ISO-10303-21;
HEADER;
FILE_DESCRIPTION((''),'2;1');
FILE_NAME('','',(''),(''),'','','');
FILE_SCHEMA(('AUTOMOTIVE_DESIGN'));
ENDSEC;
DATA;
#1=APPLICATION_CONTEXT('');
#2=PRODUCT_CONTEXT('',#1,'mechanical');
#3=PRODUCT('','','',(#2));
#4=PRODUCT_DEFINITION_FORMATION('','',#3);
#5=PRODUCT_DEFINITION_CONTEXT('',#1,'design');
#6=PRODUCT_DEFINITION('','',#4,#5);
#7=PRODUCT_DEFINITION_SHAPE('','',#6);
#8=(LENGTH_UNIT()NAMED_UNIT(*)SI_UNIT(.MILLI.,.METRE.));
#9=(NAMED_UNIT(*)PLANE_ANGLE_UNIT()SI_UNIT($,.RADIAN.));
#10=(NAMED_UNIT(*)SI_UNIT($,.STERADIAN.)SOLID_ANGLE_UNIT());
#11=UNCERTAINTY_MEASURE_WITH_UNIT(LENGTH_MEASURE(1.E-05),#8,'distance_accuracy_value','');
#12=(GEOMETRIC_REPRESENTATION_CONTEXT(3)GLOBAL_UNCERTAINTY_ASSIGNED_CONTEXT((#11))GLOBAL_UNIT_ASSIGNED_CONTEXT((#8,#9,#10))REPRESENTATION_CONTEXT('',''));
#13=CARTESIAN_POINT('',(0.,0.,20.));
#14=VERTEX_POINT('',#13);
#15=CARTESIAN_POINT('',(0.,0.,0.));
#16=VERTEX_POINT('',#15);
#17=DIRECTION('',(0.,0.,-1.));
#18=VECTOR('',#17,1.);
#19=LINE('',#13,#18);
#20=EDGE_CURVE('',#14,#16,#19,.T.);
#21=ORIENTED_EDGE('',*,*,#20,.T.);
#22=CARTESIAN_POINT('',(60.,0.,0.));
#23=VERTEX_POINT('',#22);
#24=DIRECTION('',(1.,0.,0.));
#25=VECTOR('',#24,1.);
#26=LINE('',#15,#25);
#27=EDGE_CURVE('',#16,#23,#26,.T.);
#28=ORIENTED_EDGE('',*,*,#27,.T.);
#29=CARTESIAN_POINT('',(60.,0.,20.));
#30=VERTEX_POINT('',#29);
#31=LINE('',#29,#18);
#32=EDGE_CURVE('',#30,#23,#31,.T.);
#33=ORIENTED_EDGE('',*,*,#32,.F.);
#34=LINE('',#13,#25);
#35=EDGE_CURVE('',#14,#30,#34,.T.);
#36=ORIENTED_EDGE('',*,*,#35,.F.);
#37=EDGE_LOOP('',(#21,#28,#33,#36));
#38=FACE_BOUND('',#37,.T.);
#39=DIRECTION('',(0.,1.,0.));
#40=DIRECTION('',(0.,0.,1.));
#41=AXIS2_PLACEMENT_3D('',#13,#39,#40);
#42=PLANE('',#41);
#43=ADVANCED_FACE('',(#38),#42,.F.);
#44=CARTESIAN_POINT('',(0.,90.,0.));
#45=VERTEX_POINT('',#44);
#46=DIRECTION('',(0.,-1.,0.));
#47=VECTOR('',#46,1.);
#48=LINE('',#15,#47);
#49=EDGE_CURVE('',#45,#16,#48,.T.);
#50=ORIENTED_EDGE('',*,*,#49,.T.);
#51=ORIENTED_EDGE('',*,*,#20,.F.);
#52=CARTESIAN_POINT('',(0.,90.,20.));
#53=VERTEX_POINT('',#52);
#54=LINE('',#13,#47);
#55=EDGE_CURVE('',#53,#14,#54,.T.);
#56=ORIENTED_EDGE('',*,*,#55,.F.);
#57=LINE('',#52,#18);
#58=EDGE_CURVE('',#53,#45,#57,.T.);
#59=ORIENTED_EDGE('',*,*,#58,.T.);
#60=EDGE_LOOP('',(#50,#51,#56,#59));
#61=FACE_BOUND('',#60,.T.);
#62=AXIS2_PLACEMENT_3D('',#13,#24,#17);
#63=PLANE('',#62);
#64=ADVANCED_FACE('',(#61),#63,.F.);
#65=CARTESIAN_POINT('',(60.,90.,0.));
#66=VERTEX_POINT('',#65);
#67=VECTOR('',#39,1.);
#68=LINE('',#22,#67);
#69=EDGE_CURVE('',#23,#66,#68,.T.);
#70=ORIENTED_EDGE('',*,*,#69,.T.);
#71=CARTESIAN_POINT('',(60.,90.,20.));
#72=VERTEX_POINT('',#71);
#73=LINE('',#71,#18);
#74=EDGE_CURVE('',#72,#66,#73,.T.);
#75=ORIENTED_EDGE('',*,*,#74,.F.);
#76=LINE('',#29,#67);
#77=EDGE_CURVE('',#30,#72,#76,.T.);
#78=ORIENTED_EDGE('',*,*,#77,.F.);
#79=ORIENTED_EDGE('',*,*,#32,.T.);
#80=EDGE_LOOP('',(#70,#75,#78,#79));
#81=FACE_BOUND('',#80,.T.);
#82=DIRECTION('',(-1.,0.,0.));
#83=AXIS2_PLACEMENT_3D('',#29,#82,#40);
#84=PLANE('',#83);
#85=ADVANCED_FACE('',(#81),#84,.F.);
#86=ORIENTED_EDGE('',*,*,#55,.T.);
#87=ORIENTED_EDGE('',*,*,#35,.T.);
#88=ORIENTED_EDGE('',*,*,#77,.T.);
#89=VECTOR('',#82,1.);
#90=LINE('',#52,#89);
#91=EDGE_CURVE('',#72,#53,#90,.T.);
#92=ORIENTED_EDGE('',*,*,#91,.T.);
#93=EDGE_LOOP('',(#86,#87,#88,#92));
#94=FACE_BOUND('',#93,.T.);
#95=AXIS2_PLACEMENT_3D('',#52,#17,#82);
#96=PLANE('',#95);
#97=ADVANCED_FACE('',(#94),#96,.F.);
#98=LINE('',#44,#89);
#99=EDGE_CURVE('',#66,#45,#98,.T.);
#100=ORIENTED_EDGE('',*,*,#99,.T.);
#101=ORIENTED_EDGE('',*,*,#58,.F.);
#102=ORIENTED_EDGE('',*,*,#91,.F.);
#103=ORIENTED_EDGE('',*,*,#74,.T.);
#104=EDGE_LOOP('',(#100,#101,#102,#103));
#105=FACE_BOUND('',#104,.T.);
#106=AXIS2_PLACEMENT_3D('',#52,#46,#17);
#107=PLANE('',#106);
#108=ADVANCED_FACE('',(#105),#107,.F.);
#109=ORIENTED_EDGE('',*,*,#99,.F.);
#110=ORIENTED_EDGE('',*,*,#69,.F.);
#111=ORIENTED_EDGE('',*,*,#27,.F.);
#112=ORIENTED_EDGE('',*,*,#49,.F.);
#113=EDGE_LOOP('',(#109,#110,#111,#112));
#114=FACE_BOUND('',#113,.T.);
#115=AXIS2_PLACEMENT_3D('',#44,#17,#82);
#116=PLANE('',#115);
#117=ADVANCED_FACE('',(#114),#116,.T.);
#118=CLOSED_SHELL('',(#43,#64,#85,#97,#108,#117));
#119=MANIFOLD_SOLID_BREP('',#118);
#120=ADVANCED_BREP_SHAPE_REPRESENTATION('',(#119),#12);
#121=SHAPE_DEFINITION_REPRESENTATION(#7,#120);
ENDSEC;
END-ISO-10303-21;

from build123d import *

# Parameters (mm, degrees)
ESQUISSE1_W        = 60
ESQUISSE1_H        = 90
BOSS_EXTRU_1_DEPTH = 20


with BuildPart() as part:
    # Esquisse1 → Boss.-Extru.1 (new body)
    with BuildSketch(Plane.XY):
        with Locations((30, 45)):
            Rectangle(ESQUISSE1_W, ESQUISSE1_H)
    extrude(amount=BOSS_EXTRU_1_DEPTH)


solid = part.part
